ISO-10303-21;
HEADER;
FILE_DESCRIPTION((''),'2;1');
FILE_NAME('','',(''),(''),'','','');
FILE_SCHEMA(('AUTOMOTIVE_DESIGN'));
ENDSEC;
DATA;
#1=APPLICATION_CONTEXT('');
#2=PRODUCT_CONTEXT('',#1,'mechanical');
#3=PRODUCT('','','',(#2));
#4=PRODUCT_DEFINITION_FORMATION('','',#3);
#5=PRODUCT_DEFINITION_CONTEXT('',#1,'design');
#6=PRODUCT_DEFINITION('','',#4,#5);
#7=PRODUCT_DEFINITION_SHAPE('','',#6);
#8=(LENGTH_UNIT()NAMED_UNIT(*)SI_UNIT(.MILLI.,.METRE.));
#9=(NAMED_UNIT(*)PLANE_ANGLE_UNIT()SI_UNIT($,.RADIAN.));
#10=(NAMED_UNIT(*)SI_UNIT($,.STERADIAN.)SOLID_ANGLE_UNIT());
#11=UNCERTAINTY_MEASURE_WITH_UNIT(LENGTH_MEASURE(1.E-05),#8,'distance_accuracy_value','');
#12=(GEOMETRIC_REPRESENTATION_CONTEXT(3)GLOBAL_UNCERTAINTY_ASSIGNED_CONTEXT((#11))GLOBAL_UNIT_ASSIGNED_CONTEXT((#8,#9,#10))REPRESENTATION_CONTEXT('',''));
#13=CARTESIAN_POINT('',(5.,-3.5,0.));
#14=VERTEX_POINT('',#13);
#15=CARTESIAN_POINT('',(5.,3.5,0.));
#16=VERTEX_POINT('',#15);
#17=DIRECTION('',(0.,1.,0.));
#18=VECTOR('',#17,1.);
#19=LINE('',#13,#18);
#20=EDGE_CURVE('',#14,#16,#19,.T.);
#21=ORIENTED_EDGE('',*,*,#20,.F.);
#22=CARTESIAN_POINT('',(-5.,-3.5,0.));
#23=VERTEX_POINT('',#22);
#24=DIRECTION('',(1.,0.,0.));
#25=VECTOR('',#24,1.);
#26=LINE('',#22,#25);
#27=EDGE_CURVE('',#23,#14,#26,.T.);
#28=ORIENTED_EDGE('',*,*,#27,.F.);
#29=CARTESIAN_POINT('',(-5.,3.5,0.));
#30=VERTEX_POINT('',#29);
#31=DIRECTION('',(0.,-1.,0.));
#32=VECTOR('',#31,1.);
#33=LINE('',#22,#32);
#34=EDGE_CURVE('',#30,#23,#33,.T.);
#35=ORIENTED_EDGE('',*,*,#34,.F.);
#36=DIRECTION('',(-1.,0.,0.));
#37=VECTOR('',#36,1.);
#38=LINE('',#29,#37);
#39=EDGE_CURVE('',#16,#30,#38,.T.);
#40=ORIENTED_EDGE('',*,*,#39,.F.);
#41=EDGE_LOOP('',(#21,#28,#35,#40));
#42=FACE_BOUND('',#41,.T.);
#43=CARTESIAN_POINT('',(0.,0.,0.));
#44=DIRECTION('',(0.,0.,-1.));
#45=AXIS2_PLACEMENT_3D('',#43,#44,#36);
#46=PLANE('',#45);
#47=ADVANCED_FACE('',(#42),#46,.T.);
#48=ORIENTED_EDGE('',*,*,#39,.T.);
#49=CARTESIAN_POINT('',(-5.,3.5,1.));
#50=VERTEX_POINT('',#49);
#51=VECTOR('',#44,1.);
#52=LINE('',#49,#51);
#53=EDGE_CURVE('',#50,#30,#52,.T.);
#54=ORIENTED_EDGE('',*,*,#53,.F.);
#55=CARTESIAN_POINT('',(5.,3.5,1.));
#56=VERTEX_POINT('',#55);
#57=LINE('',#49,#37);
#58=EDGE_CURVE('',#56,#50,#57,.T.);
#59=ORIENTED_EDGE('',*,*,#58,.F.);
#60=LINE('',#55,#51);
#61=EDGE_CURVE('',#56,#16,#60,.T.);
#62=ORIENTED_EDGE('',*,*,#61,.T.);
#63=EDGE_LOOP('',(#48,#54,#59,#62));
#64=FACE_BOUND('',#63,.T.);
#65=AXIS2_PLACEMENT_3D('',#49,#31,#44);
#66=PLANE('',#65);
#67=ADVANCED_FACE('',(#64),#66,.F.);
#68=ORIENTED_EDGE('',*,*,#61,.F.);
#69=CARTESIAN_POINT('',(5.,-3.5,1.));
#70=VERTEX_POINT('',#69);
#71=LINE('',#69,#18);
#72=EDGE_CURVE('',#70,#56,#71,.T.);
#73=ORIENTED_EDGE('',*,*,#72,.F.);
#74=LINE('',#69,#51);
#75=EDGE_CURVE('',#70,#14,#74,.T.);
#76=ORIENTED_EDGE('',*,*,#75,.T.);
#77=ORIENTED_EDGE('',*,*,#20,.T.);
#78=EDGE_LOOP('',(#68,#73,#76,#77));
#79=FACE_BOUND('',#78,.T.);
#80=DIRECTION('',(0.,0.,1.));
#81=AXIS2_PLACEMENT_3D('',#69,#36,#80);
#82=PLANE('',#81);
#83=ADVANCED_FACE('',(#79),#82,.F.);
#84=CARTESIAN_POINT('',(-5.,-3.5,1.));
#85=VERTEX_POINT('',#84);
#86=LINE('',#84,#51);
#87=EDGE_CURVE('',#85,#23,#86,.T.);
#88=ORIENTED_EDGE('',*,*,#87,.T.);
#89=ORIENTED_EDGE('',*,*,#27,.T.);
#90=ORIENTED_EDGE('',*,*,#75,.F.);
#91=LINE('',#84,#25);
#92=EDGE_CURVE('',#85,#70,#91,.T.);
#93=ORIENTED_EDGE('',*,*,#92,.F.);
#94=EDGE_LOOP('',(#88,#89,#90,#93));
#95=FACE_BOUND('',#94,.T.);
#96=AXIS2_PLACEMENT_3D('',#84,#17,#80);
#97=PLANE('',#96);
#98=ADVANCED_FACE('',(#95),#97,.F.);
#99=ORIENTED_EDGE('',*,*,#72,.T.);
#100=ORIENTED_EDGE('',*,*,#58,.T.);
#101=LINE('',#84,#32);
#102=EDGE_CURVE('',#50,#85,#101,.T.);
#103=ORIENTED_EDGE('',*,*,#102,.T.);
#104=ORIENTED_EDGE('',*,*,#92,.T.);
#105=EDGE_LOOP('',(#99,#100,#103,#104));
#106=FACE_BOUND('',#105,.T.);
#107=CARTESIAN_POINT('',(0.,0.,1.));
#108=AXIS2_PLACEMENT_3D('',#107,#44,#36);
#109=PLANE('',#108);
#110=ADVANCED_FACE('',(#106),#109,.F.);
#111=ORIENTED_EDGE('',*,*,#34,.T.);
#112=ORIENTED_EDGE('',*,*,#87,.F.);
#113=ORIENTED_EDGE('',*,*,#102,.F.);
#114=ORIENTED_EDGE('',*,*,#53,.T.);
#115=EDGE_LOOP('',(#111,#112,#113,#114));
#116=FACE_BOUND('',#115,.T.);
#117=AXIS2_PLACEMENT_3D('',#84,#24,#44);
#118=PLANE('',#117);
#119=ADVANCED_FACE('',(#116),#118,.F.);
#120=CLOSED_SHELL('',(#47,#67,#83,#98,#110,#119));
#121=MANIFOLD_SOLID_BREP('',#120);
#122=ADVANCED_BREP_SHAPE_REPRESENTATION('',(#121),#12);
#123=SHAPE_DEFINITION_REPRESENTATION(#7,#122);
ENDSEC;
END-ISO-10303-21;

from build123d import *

# Parameters (mm, degrees)
SKETCH_1_W      = 10
SKETCH_1_H      = 7
EXTRUDE_1_DEPTH = 1


with BuildPart() as part:
    # 草图1 → 凸台-拉伸1 (new body)
    with BuildSketch(Plane.XY):
        Rectangle(SKETCH_1_W, SKETCH_1_H)
    extrude(amount=EXTRUDE_1_DEPTH)


solid = part.part
